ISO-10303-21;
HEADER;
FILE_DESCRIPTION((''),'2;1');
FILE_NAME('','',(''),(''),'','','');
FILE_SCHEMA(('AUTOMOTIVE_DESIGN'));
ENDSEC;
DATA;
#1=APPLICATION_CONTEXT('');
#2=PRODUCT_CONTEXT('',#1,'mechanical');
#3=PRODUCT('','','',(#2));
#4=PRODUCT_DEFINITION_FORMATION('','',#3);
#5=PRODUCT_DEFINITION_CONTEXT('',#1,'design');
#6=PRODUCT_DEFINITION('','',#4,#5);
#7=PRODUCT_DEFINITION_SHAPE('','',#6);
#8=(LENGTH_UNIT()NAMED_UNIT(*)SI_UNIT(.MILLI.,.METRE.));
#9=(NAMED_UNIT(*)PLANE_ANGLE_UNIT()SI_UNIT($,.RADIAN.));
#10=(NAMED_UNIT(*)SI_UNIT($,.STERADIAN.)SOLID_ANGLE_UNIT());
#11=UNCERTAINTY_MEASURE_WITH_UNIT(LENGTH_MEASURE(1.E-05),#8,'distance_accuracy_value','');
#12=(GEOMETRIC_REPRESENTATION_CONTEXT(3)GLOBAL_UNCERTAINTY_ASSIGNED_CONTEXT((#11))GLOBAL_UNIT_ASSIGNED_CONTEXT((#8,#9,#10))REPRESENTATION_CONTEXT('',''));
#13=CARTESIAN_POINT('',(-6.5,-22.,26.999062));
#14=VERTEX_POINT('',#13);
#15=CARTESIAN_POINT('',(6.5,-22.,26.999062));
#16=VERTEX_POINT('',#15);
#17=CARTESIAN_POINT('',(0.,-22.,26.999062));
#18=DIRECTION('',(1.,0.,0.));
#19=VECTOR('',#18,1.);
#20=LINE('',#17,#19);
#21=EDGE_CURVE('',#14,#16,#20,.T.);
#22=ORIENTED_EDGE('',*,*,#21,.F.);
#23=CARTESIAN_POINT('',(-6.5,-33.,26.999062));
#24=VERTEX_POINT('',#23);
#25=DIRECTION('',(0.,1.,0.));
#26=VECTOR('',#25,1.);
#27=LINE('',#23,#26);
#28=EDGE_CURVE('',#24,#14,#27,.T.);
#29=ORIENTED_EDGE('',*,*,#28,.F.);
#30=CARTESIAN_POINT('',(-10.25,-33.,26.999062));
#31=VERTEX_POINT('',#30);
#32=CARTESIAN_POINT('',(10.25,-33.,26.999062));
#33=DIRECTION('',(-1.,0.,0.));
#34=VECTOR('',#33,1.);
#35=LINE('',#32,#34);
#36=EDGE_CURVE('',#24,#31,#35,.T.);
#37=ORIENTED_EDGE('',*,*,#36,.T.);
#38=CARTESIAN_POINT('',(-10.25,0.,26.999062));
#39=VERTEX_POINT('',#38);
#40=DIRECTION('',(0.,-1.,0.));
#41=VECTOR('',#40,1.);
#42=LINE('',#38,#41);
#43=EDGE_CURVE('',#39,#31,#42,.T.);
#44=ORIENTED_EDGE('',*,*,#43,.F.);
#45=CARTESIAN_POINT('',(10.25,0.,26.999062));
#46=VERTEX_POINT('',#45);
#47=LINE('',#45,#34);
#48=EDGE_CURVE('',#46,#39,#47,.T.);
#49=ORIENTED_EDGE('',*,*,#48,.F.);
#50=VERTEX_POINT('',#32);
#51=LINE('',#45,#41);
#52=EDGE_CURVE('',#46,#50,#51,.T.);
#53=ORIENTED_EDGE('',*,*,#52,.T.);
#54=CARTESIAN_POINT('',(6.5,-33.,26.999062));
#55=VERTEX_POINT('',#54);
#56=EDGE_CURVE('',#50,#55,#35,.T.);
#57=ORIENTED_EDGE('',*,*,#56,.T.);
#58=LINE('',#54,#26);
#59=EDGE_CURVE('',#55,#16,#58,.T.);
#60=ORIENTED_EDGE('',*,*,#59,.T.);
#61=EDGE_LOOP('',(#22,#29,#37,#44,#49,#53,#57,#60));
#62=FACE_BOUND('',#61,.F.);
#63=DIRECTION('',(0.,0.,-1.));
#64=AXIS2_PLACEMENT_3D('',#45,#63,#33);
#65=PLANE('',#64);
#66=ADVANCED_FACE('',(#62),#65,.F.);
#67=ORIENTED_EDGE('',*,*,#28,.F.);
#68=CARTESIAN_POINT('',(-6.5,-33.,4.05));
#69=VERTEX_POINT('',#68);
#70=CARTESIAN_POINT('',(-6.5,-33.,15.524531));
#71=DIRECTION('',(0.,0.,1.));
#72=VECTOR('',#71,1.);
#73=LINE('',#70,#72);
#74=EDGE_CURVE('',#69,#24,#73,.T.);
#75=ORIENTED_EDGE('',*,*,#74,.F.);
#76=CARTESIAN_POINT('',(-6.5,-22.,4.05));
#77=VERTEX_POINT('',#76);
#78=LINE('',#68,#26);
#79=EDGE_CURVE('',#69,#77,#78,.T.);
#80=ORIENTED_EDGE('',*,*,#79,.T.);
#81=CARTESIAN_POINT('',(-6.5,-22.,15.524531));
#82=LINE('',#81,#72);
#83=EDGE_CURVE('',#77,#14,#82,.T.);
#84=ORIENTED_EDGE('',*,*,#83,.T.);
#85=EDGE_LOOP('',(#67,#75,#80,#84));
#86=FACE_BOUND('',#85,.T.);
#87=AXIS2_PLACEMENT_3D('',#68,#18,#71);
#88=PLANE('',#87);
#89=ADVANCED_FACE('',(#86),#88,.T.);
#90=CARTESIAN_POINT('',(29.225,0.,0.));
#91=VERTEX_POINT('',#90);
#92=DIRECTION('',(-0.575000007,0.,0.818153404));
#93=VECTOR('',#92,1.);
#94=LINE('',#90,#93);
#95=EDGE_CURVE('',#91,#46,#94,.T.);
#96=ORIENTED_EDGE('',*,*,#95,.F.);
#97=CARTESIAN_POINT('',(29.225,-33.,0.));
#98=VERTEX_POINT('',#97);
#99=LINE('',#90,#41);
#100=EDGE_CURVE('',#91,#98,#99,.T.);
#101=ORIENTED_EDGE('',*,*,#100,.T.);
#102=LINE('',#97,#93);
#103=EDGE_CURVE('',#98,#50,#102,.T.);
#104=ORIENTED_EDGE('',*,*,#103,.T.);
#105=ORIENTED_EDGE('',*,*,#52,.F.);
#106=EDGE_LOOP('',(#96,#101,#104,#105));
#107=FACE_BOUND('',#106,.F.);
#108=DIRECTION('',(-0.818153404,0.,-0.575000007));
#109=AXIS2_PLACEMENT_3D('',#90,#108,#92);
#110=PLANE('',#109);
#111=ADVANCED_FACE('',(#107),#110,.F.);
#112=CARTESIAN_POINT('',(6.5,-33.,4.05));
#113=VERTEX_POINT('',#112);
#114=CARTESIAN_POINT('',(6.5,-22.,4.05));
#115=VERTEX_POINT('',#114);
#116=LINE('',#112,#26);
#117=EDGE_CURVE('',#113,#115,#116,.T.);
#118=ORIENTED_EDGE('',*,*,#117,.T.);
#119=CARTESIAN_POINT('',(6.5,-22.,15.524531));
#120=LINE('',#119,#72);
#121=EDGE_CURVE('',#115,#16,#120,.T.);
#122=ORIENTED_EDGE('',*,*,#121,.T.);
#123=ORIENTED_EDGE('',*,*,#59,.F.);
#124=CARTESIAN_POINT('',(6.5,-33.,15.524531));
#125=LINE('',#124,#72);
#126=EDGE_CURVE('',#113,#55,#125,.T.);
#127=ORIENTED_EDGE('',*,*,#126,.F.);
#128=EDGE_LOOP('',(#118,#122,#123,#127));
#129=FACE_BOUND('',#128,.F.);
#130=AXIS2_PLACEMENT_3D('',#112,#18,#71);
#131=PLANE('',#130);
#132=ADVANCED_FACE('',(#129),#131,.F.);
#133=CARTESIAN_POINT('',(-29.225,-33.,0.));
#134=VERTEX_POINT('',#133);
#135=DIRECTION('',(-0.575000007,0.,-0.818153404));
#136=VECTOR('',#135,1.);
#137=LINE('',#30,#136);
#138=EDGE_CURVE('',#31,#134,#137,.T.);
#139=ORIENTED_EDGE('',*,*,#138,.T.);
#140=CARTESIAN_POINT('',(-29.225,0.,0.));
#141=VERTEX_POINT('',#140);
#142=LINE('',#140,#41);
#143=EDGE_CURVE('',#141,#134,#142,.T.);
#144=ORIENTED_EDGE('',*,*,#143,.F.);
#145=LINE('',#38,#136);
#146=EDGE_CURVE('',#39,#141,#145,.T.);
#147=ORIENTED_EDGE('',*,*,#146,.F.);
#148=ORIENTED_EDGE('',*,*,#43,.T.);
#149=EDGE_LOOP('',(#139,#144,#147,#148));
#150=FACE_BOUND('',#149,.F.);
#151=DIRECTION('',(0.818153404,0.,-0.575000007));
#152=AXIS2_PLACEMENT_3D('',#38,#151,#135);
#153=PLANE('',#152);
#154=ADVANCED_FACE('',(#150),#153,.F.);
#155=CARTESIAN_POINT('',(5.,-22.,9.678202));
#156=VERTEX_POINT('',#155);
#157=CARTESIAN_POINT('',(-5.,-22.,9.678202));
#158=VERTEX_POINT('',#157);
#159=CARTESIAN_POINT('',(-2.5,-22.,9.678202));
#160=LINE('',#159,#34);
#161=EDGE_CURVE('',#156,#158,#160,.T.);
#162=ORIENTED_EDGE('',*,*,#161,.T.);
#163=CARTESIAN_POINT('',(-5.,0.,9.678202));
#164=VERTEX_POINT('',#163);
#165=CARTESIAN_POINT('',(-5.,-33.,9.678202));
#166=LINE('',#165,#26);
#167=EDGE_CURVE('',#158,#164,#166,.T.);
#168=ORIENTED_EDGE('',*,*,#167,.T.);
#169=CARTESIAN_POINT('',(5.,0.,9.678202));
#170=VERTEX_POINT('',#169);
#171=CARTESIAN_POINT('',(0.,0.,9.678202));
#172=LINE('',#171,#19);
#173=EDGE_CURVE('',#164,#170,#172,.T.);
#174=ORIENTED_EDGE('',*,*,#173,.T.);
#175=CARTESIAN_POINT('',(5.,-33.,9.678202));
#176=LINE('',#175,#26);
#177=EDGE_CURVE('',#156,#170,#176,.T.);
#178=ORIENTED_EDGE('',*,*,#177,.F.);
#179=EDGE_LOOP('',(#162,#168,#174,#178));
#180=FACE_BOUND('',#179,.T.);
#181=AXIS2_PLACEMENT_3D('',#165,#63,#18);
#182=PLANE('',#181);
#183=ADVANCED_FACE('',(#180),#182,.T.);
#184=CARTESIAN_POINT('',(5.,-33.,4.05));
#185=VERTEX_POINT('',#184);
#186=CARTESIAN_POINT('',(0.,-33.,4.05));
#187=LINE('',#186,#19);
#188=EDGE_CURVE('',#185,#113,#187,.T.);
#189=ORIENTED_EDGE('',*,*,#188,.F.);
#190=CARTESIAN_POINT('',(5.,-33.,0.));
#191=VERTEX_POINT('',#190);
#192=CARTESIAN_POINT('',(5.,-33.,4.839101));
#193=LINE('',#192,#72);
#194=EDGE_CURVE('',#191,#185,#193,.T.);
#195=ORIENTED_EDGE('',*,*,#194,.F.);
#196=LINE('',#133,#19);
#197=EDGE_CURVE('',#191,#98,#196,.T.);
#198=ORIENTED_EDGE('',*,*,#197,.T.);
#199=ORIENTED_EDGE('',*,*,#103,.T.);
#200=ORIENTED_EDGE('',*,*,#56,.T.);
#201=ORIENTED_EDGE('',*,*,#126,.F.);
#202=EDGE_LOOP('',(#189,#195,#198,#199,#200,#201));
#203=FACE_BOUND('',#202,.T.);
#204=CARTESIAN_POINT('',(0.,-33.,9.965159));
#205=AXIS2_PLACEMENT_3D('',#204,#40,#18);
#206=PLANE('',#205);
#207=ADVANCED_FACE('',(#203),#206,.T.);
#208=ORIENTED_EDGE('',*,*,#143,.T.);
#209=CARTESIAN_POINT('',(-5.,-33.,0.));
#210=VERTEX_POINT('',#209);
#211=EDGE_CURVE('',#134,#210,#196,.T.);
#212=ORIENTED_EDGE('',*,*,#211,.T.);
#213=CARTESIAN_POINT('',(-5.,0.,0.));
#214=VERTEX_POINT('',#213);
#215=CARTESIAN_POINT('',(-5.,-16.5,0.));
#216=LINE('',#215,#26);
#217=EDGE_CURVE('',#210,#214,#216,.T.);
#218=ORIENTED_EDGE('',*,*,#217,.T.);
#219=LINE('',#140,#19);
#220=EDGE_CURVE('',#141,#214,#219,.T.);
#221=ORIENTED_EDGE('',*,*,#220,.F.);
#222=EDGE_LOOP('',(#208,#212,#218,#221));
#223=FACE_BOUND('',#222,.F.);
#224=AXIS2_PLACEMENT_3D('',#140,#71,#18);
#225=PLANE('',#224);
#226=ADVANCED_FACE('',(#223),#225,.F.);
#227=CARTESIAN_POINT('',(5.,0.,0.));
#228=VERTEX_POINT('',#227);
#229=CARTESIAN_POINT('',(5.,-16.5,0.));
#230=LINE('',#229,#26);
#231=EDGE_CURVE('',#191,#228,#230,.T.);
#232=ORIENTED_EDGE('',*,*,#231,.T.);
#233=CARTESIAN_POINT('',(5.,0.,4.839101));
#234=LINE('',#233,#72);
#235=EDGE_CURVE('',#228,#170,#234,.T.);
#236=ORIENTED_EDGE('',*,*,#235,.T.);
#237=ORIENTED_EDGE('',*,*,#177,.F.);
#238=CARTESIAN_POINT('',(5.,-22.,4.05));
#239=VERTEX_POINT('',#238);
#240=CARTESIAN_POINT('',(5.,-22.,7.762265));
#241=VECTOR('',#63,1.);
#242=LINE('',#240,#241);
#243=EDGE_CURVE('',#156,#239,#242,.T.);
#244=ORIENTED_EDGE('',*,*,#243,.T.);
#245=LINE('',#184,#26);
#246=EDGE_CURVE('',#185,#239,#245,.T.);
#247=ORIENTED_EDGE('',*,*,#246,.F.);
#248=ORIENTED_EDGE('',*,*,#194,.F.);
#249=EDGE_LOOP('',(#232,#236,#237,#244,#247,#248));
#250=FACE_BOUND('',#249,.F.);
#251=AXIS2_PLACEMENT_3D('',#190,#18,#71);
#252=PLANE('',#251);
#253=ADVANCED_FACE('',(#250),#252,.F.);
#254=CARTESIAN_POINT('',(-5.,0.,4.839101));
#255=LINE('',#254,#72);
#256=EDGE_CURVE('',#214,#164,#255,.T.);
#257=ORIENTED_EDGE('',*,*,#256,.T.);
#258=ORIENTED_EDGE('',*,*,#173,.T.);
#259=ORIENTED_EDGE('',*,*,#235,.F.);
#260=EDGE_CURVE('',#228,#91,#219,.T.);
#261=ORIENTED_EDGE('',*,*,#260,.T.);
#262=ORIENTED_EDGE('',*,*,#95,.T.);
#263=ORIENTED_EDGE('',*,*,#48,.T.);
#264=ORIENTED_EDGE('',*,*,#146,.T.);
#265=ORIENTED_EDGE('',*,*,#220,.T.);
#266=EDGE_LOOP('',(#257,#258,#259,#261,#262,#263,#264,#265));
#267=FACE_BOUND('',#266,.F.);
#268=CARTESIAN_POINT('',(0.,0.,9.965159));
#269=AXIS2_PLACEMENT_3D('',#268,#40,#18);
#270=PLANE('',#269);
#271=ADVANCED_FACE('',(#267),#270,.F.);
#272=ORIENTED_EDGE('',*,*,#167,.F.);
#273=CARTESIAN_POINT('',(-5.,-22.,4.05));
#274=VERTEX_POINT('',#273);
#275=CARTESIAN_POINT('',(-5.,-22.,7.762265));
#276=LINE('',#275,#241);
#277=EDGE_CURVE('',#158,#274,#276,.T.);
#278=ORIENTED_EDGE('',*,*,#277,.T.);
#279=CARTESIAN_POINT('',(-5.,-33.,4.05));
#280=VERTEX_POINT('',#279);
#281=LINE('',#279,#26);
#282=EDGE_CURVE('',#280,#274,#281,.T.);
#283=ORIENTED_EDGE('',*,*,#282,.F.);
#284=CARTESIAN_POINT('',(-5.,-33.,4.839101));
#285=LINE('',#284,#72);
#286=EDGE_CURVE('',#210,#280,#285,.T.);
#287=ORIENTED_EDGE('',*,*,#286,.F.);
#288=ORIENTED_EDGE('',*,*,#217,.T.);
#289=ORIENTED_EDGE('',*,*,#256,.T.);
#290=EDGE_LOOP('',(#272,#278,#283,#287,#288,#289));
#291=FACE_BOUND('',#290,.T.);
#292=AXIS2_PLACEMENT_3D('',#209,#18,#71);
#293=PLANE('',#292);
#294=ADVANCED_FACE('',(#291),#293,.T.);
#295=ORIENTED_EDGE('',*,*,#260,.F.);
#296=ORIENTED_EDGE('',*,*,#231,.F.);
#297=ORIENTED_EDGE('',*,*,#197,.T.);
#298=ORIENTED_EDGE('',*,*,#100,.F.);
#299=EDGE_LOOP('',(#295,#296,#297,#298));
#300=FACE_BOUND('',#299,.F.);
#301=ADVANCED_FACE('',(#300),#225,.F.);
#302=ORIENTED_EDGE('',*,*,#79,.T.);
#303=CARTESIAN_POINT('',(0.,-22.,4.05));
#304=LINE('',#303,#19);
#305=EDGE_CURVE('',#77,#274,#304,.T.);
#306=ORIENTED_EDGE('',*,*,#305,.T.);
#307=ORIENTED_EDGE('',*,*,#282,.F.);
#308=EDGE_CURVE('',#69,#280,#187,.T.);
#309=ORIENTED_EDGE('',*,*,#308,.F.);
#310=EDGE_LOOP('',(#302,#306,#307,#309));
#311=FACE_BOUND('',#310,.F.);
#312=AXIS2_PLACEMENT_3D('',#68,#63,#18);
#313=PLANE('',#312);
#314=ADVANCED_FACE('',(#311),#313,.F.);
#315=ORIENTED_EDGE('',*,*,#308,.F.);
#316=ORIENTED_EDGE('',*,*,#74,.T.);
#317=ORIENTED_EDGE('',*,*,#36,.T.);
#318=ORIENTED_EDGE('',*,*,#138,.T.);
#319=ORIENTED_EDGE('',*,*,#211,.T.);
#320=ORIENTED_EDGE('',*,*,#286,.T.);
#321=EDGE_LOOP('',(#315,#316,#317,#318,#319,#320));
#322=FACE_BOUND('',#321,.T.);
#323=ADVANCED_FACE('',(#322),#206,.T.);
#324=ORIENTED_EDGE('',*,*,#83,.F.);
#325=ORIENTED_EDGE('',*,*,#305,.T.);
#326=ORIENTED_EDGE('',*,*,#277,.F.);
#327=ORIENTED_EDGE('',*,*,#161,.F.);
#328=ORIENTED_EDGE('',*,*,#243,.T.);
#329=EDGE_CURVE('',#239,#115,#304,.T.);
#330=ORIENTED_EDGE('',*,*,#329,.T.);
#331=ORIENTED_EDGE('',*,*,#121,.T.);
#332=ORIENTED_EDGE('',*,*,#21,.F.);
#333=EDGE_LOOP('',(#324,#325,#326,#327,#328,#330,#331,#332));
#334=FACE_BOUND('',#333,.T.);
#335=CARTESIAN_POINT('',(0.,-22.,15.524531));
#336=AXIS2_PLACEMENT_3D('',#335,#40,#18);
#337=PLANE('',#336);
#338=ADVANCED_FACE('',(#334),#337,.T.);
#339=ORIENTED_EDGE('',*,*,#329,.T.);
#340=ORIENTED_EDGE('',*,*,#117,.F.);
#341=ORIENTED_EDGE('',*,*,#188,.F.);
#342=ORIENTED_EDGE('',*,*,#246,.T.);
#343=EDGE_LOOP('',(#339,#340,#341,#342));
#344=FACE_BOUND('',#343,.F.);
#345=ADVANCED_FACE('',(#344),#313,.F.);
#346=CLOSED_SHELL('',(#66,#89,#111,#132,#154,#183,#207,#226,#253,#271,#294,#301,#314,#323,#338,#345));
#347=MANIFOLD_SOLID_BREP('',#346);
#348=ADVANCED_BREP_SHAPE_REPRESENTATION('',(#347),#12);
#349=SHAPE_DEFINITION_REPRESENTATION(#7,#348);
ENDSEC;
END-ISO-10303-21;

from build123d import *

# Parameters (mm, degrees)
F1_DEPTH = 33
F2_W     = 10
F2_H     = 9.678203
F3_DEPTH = 33
F4_W     = 13
F4_H     = 22.949062
F5_DEPTH = 11


with BuildPart() as f1:
    # F0 (on Front) → F1 (new body)
    with BuildSketch(Plane.XZ):
        Polygon((10.25, 26.999062), (-10.25, 26.999062), (-29.225, 0), (29.225, 0), align=None)
    extrude(amount=F1_DEPTH)

    # F2 (on face) → F3 (cut)
    with BuildSketch(Plane.XZ.offset(33)):
        with Locations((0, 4.839101)):
            Rectangle(F2_W, F2_H)
    extrude(amount=-F3_DEPTH, mode=Mode.SUBTRACT)

    # F4 (on face) → F5 (cut)
    with BuildSketch(Plane.XZ.offset(33)):
        with Locations((0, 15.524531)):
            Rectangle(F4_W, F4_H)
    extrude(amount=-F5_DEPTH, mode=Mode.SUBTRACT)


solid = f1.part
